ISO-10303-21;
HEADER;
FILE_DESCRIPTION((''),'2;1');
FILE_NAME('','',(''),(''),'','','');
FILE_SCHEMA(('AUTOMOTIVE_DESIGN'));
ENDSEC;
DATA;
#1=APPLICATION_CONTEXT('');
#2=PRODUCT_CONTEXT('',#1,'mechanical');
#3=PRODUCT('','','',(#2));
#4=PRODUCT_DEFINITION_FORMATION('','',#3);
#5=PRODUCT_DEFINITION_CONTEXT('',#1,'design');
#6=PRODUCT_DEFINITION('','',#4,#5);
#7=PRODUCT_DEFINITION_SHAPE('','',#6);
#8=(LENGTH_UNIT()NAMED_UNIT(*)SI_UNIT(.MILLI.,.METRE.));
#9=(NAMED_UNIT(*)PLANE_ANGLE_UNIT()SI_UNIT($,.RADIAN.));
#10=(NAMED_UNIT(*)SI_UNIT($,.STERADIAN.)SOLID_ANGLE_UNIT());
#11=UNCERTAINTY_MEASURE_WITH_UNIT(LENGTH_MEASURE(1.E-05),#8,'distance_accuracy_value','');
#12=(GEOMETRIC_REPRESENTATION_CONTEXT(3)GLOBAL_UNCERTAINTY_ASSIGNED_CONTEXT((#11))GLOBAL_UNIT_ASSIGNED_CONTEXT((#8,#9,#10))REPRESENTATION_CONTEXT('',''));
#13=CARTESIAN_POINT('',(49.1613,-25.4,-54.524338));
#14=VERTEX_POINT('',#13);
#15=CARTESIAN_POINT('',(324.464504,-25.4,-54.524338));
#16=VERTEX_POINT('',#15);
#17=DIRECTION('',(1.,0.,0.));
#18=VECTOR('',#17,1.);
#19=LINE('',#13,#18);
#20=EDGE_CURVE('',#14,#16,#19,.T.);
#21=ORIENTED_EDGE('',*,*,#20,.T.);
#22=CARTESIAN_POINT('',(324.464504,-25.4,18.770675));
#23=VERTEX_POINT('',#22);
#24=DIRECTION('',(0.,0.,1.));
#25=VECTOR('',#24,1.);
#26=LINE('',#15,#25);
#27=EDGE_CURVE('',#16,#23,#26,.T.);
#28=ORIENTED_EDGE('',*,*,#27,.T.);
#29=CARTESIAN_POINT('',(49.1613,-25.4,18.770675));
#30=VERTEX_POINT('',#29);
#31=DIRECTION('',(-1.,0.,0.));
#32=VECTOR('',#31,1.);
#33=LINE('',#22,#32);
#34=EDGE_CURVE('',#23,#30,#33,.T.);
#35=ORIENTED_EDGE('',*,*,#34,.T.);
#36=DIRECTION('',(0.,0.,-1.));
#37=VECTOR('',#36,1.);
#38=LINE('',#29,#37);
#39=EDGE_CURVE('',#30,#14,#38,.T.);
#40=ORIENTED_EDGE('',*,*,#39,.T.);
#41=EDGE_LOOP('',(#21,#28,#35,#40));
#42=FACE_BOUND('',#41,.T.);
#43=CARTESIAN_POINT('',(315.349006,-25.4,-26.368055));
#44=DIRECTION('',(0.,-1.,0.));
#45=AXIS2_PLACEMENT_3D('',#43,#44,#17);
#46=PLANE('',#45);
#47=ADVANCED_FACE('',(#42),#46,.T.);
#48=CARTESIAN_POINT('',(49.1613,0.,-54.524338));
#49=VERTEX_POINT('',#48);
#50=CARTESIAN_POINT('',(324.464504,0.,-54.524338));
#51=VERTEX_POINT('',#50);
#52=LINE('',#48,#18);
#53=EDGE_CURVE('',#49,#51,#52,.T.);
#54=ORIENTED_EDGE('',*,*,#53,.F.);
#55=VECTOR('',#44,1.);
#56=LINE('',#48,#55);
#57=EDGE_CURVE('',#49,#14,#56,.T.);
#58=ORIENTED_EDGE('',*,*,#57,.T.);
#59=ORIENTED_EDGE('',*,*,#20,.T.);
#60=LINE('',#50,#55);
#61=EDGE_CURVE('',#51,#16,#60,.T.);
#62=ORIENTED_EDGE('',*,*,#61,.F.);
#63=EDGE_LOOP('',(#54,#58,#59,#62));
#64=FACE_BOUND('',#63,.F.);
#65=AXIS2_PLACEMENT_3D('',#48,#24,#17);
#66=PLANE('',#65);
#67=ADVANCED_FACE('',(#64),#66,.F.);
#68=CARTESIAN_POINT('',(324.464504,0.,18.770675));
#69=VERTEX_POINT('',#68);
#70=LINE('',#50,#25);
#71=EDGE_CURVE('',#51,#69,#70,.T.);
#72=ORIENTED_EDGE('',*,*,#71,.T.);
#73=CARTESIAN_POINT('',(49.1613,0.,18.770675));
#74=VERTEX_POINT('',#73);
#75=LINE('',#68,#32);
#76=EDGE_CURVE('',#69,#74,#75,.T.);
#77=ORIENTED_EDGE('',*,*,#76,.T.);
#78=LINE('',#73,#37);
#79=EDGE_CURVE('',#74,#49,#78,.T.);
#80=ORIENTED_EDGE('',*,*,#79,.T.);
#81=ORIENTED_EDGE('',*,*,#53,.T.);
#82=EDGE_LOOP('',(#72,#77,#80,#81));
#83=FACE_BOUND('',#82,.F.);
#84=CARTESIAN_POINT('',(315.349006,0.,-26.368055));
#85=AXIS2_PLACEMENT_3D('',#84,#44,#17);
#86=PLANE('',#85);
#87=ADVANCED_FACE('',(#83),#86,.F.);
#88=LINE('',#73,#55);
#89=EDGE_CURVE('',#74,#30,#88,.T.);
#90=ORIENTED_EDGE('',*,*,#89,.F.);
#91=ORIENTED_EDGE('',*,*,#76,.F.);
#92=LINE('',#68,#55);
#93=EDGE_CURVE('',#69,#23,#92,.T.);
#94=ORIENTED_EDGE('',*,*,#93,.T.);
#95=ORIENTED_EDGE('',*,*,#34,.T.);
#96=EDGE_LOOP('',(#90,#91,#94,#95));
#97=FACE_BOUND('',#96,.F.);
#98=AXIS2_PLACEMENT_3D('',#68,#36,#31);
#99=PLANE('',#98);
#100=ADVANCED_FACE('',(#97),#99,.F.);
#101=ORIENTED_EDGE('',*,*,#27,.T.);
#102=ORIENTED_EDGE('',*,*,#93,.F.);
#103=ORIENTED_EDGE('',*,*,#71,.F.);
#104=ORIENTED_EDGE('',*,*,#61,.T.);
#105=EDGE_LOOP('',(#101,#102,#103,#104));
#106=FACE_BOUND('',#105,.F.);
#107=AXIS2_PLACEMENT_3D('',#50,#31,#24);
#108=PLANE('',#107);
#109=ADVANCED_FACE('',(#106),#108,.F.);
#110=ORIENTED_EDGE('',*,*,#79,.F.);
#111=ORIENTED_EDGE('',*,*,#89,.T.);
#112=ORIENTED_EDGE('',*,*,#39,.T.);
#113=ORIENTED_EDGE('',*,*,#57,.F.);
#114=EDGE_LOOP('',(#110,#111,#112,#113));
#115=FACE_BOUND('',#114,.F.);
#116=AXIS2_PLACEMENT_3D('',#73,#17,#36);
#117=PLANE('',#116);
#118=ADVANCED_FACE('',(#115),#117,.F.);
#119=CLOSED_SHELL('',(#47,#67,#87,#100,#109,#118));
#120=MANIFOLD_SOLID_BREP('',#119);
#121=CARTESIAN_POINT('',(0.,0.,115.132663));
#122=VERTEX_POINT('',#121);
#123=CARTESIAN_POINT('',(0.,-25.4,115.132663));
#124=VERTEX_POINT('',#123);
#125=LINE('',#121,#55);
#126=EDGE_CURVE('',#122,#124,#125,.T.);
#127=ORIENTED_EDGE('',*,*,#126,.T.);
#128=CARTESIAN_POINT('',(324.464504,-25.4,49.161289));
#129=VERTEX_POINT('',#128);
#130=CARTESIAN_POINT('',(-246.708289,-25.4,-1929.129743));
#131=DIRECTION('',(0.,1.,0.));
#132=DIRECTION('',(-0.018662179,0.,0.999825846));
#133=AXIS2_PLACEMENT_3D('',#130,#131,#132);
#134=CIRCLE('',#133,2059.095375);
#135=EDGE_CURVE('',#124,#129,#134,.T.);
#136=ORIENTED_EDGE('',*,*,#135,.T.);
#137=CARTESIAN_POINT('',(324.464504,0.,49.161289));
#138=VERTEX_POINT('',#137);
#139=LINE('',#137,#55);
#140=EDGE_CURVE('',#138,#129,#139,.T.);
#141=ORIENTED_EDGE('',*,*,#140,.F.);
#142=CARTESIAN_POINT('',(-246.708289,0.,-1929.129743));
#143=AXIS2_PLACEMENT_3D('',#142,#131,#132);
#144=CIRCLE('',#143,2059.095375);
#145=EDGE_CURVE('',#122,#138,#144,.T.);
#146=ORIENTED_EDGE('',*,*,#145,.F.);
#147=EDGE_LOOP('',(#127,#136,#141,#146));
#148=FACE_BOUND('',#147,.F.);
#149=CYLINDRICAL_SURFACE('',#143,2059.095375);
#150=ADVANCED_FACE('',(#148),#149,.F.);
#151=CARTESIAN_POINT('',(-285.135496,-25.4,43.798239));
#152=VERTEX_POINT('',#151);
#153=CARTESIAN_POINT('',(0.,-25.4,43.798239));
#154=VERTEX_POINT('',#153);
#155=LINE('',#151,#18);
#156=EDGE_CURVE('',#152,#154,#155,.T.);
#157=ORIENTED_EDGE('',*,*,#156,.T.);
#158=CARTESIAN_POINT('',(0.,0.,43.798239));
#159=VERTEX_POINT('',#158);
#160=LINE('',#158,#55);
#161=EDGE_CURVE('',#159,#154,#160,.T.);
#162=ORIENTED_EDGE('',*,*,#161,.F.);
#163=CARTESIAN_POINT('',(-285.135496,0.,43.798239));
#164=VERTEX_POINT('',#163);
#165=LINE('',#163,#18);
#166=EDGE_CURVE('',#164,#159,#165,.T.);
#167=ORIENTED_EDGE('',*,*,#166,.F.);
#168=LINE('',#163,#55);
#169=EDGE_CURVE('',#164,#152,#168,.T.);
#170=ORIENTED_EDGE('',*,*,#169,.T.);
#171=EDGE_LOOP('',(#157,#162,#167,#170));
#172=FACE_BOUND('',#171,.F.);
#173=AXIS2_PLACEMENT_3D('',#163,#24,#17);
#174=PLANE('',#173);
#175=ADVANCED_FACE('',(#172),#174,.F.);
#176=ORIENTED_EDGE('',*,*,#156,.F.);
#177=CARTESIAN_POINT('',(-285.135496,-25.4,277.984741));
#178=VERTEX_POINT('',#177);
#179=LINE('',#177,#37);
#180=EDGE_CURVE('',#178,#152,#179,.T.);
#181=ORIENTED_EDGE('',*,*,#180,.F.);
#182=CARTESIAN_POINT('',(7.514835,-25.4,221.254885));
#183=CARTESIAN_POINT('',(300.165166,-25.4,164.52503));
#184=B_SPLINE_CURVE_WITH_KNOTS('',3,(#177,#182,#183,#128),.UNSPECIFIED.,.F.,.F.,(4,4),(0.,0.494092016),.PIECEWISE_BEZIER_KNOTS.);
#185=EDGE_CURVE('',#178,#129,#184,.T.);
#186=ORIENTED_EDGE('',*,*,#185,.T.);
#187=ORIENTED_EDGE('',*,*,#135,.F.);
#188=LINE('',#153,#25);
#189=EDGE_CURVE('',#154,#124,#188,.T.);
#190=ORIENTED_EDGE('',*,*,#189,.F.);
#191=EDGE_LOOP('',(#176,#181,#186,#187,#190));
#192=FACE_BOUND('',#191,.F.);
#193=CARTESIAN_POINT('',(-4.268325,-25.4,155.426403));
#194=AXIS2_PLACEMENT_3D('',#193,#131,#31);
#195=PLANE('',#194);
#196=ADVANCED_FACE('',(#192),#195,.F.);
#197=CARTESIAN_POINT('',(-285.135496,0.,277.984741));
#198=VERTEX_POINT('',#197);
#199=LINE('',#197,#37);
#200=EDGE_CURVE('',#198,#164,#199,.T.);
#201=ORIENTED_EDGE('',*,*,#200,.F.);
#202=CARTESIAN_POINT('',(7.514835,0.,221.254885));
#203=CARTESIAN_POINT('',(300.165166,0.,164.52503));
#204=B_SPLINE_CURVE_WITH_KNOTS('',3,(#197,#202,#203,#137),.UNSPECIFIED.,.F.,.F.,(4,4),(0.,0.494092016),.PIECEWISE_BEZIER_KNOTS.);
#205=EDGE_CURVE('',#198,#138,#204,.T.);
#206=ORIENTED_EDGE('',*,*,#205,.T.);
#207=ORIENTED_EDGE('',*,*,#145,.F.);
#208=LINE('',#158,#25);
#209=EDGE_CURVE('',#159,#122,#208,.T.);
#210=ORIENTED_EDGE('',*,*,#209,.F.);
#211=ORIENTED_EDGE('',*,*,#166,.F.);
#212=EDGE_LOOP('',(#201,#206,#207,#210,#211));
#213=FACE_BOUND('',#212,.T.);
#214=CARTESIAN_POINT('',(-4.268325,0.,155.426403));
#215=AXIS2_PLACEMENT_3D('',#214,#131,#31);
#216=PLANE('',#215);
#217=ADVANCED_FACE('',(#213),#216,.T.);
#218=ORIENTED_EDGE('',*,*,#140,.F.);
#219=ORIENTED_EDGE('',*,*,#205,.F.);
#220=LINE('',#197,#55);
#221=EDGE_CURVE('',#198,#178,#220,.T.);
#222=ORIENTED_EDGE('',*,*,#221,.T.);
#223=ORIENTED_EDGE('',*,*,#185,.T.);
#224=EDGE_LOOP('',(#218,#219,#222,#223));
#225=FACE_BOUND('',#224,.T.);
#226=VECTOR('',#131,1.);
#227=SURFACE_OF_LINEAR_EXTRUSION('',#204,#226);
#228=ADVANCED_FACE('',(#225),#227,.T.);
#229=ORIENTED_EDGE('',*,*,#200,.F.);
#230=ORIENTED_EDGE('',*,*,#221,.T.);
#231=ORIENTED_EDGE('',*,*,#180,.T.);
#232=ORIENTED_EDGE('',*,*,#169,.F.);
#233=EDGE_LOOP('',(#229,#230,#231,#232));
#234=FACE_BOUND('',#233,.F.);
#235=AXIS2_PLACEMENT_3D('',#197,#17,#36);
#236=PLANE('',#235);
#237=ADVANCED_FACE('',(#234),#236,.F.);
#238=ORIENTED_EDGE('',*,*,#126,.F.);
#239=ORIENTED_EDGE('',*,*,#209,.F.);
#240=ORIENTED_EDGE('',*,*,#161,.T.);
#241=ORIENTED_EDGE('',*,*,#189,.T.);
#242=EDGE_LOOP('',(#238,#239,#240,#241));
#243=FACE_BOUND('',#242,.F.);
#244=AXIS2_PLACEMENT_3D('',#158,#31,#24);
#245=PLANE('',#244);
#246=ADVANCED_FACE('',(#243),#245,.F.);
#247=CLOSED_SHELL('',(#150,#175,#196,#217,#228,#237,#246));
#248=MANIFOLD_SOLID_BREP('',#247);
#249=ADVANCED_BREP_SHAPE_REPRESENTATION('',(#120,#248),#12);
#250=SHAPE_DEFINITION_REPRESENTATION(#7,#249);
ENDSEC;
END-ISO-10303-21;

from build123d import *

# Parameters (mm, degrees)
F1_DEPTH = 25.4


with BuildPart() as f1:
    # F0 (on Front) → F1 (new body)
    with BuildSketch(Plane.XZ):
        with BuildLine():
            add(Edge.make_bspline(
                [(-285.1354957441, 277.9847405609), (7.5148349714, 221.254885076), (300.1651656868, 164.5250295911), (324.4645042559, 49.1612885236)],
                knots=[0, 0, 0, 0, 0.4940920161, 0.4940920161, 0.4940920161, 0.4940920161], degree=3))
            Line((-285.135495744, 277.9847405609), (-285.135495744, 129.6070333805))
            ThreePointArc((-285.1354957441, 129.6070333805), (-142.316578815, 127.317712108), (0, 115.1326631117))
            ThreePointArc((0, 115.1326631117), (163.560429946, 88.6793022998), (324.464504256, 49.1612885236))
        make_face()
        with BuildLine():
            ThreePointArc((0, 115.1326631117), (-142.316578815, 127.317712108), (-285.1354957441, 129.6070333805))
            Line((-285.135495744, 129.6070333805), (-285.135495744, 43.7982388665))
            Line((-285.135495744, 43.7982388665), (0, 43.7982388665))
            Line((0, 43.7982388665), (0, 115.1326631117))
        make_face()
    extrude(amount=F1_DEPTH)


with BuildPart() as f1b:
    # F0 (on Front) → F1, piece 2 (new body)
    with BuildSketch(Plane.XZ):
        with BuildLine():
            Line((324.464504256, -54.5243381808), (324.464504256, 15.352347539))
            add(Edge.make_bspline(
                [(324.464504256, 15.352347539), (320.3875616329, -6.4403839928), (308.9938478317, -29.8318080454), (291.6453332408, -54.5243381807)],
                knots=[0.540235223, 0.540235223, 0.540235223, 0.540235223, 0.6258175102, 0.6258175102, 0.6258175102, 0.6258175102], degree=3))
            Line((291.6453332408, -54.5243381808), (324.4645042559, -54.5243381808))
        make_face()
        with BuildLine():
            add(Edge.make_bspline(
                [(324.464504256, 15.352347539), (320.3875616329, -6.4403839928), (308.9938478317, -29.8318080454), (291.6453332408, -54.5243381807)],
                knots=[0.540235223, 0.540235223, 0.540235223, 0.540235223, 0.6258175102, 0.6258175102, 0.6258175102, 0.6258175102], degree=3))
            Line((324.464504256, 15.352347539), (324.464504256, 18.7706751941))
            Line((324.464504256, 18.7706751941), (49.1612996771, 18.7706751941))
            Line((49.1612996771, 18.7706751941), (49.1612996771, -54.5243381808))
            Line((49.1612996771, -54.5243381808), (291.6453332408, -54.5243381808))
        make_face()
    extrude(amount=F1_DEPTH)


solid = Compound([f1.part, f1b.part])
